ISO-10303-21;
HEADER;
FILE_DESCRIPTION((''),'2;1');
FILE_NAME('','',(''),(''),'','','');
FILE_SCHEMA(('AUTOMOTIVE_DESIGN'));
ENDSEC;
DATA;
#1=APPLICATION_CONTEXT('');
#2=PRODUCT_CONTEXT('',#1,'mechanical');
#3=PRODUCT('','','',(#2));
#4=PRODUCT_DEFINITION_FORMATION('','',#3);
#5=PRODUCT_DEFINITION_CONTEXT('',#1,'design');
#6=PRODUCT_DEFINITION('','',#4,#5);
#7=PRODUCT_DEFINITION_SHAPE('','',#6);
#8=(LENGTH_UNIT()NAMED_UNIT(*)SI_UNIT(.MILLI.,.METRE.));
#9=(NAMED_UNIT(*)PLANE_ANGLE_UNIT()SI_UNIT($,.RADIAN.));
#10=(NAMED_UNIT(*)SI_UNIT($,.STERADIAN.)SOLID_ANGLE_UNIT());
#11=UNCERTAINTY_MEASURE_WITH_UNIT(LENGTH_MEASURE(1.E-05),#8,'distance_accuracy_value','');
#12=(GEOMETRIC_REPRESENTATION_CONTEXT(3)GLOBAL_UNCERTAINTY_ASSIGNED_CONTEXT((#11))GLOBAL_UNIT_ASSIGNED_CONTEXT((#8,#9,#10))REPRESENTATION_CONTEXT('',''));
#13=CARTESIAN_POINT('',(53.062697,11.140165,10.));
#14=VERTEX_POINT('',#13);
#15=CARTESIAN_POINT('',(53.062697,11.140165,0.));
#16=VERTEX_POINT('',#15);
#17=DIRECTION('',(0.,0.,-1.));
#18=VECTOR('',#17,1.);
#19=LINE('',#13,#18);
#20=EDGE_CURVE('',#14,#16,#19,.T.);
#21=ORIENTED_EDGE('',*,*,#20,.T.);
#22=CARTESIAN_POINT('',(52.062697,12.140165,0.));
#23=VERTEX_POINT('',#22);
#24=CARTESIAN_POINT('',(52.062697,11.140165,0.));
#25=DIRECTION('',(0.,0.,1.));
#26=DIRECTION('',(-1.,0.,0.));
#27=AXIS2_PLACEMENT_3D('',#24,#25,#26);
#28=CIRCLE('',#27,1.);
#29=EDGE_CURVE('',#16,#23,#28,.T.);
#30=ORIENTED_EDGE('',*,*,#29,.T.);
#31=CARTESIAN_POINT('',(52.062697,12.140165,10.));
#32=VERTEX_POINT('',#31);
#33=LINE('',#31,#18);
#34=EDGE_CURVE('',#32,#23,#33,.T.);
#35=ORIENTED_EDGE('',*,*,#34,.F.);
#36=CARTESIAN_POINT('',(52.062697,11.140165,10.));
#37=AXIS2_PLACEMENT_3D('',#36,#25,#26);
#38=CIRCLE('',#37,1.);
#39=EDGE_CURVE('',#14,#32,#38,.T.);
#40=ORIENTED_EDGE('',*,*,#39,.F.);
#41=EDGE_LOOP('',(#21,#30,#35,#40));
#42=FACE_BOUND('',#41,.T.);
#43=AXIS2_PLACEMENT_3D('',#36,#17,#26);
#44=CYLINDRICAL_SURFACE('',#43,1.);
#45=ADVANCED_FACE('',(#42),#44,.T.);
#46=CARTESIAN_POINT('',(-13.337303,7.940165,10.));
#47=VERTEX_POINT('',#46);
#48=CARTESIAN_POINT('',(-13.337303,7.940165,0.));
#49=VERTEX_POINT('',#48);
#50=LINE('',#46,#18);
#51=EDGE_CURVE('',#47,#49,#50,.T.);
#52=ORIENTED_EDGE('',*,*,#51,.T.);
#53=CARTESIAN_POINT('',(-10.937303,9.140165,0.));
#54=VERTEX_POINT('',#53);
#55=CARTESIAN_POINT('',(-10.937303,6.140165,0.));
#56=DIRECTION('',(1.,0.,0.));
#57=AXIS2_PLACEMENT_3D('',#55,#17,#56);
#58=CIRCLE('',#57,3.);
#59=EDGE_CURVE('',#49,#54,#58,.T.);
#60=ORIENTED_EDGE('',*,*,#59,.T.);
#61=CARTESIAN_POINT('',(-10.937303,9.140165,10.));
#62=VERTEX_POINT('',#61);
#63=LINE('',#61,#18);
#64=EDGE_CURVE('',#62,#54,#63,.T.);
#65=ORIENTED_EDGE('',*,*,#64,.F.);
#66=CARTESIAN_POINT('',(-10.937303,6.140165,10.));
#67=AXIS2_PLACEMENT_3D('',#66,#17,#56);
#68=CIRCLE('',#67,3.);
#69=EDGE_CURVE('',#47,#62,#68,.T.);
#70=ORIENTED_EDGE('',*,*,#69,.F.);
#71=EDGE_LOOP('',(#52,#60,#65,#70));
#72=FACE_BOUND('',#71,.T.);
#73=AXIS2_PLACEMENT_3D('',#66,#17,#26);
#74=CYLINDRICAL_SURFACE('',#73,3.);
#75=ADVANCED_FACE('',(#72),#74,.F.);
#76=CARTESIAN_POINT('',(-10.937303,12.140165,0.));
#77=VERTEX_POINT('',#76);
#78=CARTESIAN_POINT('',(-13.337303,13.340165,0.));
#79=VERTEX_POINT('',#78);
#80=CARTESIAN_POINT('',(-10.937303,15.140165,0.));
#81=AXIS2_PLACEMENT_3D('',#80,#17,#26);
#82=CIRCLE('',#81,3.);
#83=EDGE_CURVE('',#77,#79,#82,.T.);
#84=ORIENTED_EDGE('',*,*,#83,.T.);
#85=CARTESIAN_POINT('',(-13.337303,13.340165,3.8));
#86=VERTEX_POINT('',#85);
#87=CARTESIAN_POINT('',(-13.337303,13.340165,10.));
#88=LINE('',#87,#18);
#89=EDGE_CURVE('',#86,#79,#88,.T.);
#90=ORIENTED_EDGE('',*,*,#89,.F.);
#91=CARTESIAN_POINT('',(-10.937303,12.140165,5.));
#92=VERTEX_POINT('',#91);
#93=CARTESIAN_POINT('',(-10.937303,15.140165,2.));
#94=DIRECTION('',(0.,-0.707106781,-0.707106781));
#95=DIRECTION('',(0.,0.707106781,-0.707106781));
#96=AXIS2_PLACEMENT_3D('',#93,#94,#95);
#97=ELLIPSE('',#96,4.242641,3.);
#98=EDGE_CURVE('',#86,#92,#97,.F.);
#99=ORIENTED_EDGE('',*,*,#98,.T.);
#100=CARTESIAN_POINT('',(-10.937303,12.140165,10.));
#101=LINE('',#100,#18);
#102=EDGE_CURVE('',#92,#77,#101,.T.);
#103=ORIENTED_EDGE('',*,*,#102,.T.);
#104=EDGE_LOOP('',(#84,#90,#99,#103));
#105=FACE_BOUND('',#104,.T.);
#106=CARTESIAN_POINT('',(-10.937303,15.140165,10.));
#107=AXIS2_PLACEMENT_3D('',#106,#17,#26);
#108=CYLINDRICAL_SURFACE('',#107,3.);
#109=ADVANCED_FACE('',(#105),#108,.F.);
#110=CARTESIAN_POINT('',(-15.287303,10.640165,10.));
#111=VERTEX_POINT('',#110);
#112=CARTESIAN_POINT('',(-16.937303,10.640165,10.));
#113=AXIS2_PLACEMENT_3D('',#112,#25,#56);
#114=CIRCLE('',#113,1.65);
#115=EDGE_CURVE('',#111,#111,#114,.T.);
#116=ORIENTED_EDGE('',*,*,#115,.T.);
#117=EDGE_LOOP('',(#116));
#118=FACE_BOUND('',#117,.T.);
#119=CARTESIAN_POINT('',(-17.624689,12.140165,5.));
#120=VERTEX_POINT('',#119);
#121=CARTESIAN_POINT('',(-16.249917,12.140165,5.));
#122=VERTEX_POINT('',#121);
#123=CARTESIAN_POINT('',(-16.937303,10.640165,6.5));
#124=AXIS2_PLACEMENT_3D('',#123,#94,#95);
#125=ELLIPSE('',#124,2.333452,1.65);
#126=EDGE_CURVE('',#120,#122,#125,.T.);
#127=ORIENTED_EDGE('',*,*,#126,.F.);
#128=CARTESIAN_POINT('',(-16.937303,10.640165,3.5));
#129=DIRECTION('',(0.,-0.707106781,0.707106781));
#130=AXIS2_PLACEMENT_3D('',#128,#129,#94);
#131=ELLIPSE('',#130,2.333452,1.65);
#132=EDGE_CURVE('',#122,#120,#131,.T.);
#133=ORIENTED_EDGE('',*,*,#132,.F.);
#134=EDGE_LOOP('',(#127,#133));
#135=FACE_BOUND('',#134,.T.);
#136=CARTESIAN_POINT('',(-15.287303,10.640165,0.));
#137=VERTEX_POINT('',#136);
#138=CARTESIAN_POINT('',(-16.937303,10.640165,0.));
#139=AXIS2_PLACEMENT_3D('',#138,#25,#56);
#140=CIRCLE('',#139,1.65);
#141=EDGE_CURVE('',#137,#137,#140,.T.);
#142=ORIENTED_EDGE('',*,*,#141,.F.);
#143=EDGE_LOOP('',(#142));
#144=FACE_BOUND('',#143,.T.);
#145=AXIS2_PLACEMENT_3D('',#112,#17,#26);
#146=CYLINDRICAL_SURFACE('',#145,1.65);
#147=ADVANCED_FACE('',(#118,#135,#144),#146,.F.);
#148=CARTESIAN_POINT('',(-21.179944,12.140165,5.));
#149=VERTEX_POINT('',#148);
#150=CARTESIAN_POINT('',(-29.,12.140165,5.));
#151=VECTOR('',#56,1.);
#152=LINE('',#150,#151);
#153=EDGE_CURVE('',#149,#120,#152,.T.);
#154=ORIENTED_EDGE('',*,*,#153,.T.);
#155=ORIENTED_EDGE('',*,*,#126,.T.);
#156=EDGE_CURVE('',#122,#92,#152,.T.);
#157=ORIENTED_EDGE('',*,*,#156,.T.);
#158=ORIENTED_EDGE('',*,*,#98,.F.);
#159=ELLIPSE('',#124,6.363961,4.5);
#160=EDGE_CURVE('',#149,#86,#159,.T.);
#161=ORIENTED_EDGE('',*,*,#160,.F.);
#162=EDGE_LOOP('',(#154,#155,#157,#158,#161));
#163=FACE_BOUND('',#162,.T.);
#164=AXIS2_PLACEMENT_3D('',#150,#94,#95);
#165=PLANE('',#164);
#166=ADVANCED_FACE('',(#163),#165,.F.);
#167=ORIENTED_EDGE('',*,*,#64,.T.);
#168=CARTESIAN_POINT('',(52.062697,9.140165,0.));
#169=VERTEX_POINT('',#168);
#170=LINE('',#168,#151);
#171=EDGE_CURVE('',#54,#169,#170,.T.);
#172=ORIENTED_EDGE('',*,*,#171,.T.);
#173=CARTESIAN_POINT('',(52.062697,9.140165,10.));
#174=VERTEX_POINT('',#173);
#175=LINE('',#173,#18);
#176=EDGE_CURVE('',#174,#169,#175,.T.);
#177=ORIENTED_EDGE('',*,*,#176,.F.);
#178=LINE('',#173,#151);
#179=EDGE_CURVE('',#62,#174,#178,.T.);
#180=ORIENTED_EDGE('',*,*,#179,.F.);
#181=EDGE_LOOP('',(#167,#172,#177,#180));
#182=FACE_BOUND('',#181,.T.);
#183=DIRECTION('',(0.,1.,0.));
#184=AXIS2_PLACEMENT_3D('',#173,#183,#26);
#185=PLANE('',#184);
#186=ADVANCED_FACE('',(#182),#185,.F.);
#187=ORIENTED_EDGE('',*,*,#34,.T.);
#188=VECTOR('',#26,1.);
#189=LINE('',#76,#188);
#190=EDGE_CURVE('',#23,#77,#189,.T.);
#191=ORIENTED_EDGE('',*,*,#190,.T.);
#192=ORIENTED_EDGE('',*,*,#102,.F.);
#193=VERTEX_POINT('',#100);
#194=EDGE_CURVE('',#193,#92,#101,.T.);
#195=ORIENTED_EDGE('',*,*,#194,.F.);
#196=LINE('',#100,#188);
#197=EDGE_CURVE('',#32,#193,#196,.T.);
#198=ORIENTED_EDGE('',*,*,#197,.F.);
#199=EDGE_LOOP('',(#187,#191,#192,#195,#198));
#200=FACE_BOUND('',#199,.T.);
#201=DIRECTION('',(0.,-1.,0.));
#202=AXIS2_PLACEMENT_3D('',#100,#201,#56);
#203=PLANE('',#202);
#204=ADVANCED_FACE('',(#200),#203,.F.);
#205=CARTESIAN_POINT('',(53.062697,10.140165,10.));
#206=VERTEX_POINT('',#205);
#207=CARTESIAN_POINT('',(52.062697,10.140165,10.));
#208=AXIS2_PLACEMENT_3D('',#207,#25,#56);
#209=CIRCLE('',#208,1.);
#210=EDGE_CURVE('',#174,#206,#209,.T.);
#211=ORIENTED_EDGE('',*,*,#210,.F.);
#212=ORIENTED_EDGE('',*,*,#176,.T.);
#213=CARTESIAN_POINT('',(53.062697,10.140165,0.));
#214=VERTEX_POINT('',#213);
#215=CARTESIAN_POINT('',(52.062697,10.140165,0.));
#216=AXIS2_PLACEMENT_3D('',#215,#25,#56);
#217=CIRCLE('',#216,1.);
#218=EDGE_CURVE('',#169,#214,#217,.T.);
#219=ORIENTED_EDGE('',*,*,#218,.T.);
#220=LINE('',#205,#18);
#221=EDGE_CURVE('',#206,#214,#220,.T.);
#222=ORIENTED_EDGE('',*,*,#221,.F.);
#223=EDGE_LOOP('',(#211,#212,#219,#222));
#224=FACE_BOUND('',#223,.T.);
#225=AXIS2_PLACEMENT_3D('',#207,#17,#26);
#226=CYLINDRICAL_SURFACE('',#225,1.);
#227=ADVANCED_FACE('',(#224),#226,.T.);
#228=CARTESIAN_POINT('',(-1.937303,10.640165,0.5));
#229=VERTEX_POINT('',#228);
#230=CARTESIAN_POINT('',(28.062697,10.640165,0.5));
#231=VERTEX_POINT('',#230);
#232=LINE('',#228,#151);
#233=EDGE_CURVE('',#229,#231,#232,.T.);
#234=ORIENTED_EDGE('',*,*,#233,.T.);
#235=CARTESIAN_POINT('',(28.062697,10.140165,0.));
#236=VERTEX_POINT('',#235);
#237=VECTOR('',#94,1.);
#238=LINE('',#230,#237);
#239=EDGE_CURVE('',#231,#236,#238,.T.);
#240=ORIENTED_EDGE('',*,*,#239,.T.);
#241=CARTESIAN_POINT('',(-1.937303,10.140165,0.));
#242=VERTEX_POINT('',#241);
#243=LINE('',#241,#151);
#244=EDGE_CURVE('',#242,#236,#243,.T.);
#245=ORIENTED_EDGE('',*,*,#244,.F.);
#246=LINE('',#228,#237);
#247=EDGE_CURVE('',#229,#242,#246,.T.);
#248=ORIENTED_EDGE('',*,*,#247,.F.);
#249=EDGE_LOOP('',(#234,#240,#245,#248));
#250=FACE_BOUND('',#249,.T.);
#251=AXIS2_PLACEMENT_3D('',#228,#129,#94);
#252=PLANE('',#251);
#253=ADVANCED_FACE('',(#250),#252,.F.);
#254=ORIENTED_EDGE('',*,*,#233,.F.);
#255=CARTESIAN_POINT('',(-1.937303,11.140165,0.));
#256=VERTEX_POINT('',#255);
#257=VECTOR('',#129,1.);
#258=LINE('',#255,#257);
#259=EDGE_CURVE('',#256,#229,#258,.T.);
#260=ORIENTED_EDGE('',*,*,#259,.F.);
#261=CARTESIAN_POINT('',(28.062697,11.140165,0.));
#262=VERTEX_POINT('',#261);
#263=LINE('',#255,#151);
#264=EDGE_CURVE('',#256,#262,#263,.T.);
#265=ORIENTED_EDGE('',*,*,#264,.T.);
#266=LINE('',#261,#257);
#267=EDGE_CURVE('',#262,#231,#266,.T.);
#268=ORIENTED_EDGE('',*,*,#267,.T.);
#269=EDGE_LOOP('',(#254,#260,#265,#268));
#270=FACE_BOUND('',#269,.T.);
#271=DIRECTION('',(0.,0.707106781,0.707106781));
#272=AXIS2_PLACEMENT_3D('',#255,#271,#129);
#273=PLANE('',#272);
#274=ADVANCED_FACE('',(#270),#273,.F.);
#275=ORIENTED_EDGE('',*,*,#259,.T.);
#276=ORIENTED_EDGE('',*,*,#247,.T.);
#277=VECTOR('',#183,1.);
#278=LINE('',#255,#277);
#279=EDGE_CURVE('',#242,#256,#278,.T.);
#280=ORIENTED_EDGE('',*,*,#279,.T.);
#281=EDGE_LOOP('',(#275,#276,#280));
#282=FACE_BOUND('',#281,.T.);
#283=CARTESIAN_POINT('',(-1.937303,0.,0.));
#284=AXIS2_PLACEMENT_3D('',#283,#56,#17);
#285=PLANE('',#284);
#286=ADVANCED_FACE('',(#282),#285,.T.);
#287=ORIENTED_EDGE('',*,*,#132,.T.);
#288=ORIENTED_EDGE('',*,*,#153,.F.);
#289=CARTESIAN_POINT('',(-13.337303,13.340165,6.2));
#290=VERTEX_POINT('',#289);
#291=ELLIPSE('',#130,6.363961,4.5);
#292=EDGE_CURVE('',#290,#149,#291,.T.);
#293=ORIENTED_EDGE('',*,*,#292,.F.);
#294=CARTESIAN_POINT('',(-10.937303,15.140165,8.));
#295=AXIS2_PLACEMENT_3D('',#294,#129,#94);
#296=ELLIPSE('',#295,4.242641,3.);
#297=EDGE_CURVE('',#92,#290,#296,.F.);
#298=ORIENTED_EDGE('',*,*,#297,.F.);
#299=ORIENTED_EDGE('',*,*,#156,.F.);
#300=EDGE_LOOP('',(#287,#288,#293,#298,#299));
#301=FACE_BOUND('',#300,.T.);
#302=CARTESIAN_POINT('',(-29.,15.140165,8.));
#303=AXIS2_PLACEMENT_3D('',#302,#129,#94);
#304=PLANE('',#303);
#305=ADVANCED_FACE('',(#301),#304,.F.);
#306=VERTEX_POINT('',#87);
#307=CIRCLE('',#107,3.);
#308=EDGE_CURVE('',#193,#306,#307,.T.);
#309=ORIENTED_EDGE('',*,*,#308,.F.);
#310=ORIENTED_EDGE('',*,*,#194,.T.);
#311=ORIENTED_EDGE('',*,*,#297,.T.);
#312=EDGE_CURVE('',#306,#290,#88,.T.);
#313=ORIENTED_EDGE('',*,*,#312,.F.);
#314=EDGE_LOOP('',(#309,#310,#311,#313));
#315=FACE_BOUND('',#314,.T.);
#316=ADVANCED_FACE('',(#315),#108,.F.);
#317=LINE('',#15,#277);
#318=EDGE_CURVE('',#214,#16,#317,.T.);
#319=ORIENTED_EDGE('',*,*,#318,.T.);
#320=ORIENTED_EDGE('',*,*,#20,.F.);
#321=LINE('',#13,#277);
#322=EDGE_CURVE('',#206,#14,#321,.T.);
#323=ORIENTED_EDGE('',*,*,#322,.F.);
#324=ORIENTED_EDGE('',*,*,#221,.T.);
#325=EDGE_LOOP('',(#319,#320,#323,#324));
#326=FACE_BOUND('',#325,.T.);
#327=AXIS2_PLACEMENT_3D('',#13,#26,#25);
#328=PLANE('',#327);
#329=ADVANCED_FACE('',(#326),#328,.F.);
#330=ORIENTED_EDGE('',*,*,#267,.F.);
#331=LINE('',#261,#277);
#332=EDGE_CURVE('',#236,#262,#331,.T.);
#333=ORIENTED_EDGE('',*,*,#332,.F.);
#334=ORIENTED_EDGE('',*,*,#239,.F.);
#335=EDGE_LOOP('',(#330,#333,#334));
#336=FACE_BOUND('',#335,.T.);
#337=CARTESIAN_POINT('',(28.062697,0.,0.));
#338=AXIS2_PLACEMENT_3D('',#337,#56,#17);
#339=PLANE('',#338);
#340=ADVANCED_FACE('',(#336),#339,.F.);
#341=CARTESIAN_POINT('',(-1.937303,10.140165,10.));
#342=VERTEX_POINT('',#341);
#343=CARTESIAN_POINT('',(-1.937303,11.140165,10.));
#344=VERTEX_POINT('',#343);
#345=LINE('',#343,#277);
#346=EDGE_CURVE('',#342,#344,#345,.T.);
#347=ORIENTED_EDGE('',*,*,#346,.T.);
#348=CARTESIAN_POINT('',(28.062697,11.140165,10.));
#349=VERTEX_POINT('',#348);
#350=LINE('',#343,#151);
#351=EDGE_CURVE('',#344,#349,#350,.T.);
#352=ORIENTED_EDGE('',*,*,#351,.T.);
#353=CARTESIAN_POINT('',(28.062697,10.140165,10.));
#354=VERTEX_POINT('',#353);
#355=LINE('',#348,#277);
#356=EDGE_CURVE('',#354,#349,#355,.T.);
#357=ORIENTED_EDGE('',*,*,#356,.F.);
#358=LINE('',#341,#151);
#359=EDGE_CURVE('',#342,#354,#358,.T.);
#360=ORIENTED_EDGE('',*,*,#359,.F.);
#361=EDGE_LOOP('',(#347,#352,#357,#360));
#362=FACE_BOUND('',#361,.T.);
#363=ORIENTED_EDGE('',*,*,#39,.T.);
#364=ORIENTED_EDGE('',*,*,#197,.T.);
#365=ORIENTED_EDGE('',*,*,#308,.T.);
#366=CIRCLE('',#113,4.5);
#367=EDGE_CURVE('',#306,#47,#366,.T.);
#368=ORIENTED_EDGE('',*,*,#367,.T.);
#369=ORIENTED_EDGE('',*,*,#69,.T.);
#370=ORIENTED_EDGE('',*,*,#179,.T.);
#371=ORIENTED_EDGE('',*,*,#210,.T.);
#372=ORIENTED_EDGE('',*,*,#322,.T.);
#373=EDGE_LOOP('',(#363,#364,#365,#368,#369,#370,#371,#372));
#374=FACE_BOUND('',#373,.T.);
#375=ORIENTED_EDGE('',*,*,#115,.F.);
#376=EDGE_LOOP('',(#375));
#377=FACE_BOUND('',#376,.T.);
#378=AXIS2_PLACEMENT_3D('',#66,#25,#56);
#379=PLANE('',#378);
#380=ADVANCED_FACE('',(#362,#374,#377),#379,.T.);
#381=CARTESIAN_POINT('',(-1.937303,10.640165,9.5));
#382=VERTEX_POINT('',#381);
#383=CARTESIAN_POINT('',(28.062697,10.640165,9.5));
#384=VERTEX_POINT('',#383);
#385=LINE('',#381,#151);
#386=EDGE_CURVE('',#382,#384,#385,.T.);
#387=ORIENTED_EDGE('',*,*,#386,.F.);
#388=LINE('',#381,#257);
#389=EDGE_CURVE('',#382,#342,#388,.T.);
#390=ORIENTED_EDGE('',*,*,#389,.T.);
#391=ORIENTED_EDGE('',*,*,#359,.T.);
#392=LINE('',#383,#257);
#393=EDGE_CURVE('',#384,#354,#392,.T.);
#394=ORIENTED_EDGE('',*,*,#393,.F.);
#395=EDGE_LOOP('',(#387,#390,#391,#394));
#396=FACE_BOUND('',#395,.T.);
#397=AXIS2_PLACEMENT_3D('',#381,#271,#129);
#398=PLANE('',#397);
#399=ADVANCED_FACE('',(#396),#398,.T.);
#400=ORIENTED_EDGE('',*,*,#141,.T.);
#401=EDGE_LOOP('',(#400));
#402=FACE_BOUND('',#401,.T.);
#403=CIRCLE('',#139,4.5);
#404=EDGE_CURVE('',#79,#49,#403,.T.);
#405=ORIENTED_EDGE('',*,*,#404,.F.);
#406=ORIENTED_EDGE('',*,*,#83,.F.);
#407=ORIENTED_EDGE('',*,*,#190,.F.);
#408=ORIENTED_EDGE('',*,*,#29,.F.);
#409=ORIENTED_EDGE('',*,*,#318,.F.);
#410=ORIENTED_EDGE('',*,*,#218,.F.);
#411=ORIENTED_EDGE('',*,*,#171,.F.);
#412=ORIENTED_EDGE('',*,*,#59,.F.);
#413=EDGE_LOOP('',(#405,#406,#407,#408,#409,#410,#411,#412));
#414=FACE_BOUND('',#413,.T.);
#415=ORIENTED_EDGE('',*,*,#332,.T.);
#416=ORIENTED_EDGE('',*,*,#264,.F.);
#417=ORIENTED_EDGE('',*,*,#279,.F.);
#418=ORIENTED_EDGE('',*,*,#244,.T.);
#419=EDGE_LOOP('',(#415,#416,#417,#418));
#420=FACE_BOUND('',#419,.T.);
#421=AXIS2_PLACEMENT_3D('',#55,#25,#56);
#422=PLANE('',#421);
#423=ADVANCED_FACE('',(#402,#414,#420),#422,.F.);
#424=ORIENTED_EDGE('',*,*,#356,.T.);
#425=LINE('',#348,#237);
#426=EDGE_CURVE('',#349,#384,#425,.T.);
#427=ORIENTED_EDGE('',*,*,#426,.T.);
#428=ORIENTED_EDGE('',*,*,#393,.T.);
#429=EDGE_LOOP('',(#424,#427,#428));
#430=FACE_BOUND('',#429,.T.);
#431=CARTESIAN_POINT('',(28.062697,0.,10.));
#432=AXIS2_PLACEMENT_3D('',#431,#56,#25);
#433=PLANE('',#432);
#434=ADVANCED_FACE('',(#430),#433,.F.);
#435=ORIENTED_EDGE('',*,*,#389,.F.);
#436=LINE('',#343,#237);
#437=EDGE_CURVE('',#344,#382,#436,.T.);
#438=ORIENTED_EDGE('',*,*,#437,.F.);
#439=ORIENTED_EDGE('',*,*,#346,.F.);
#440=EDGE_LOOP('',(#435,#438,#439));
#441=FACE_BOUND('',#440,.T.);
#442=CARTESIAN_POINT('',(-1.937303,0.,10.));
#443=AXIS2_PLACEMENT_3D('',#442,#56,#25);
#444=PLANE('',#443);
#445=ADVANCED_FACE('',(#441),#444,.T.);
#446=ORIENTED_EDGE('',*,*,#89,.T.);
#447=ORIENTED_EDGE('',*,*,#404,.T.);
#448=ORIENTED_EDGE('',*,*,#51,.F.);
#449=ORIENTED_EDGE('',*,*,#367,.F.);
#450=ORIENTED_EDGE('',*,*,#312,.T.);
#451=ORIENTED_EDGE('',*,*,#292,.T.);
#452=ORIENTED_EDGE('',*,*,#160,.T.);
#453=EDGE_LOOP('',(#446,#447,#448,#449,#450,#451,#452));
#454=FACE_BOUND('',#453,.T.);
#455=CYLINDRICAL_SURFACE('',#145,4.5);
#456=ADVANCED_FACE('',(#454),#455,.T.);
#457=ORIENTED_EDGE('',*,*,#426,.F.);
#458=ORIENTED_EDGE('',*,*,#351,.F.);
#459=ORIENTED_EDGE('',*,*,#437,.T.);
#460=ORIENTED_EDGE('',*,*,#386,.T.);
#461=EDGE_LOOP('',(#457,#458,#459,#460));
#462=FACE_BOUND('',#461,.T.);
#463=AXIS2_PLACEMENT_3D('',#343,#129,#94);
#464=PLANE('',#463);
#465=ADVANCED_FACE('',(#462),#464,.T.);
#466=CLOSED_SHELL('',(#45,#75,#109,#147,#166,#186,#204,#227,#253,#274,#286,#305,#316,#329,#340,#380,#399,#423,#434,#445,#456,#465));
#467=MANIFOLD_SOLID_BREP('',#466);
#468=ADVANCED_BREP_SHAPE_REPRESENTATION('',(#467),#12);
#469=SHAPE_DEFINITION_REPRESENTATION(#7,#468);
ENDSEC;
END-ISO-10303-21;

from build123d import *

# Parameters (mm, degrees)
SKETCH1_R           = 1.65
BOSS_EXTRUDE1_DEPTH = 10
CUT_EXTRUDE1_DEPTH  = 29
CUT_EXTRUDE2_START  = -25
CUT_EXTRUDE2_DEPTH  = 30


with BuildPart() as part:
    # Sketch1 → Boss-Extrude1 (new body)
    with BuildSketch(Plane.XY):
        with BuildLine():
            Line((52.062696878, 9.140164993), (-10.937303122, 9.140164993))
            ThreePointArc((-10.937303122, 9.140164993), (-12.278943909, 8.823446566), (-13.337303122, 7.940164993))
            ThreePointArc((-13.337303122, 7.940164993), (-21.437303122, 10.640164993), (-13.337303122, 13.340164993))
            ThreePointArc((-13.337303122, 13.340164993), (-12.278943909, 12.45688342), (-10.937303122, 12.140164993))
            Line((-10.937303122, 12.140164993), (52.062696878, 12.140164993))
            ThreePointArc((52.062696878, 12.140164993), (52.769803659, 11.847271774), (53.062696878, 11.140164993))
            Line((53.062696878, 11.140164993), (53.062696878, 10.140164993))
            ThreePointArc((53.062696878, 10.140164993), (52.769803659, 9.433058211), (52.062696878, 9.140164993))
        make_face()
        with Locations((-16.937303122, 10.640164993)):
            Circle(SKETCH1_R, mode=Mode.SUBTRACT)
    extrude(amount=BOSS_EXTRUDE1_DEPTH)

    # Sketch7 → Cut-Extrude1 (cut)
    with BuildSketch(Plane(origin=(0, 0, 0), x_dir=(0, 0, -1), z_dir=(1, 0, 0))):
        Polygon((-8, 15.140164993), (-5, 12.140164993), (-2, 15.140164993), align=None)
    extrude(amount=-CUT_EXTRUDE1_DEPTH, mode=Mode.SUBTRACT)

    # Sketch8 → Cut-Extrude2 (cut)
    with BuildSketch(Plane(origin=(53.062696878, 0, 0), x_dir=(0, 0, -1), z_dir=(1, 0, 0)).offset(CUT_EXTRUDE2_START)):
        Polygon((0, 11.140164993), (-0.5, 10.640164993), (0, 10.140164993), align=None)
    cut_extrude2 = extrude(amount=-CUT_EXTRUDE2_DEPTH, mode=Mode.SUBTRACT)

    # Mirror1: Cut-Extrude2 across plane
    add(cut_extrude2.mirror(Plane(origin=(0, 0, 5), x_dir=(1, 0, 0), z_dir=(0, 0, -1))), mode=Mode.SUBTRACT)


solid = part.part
